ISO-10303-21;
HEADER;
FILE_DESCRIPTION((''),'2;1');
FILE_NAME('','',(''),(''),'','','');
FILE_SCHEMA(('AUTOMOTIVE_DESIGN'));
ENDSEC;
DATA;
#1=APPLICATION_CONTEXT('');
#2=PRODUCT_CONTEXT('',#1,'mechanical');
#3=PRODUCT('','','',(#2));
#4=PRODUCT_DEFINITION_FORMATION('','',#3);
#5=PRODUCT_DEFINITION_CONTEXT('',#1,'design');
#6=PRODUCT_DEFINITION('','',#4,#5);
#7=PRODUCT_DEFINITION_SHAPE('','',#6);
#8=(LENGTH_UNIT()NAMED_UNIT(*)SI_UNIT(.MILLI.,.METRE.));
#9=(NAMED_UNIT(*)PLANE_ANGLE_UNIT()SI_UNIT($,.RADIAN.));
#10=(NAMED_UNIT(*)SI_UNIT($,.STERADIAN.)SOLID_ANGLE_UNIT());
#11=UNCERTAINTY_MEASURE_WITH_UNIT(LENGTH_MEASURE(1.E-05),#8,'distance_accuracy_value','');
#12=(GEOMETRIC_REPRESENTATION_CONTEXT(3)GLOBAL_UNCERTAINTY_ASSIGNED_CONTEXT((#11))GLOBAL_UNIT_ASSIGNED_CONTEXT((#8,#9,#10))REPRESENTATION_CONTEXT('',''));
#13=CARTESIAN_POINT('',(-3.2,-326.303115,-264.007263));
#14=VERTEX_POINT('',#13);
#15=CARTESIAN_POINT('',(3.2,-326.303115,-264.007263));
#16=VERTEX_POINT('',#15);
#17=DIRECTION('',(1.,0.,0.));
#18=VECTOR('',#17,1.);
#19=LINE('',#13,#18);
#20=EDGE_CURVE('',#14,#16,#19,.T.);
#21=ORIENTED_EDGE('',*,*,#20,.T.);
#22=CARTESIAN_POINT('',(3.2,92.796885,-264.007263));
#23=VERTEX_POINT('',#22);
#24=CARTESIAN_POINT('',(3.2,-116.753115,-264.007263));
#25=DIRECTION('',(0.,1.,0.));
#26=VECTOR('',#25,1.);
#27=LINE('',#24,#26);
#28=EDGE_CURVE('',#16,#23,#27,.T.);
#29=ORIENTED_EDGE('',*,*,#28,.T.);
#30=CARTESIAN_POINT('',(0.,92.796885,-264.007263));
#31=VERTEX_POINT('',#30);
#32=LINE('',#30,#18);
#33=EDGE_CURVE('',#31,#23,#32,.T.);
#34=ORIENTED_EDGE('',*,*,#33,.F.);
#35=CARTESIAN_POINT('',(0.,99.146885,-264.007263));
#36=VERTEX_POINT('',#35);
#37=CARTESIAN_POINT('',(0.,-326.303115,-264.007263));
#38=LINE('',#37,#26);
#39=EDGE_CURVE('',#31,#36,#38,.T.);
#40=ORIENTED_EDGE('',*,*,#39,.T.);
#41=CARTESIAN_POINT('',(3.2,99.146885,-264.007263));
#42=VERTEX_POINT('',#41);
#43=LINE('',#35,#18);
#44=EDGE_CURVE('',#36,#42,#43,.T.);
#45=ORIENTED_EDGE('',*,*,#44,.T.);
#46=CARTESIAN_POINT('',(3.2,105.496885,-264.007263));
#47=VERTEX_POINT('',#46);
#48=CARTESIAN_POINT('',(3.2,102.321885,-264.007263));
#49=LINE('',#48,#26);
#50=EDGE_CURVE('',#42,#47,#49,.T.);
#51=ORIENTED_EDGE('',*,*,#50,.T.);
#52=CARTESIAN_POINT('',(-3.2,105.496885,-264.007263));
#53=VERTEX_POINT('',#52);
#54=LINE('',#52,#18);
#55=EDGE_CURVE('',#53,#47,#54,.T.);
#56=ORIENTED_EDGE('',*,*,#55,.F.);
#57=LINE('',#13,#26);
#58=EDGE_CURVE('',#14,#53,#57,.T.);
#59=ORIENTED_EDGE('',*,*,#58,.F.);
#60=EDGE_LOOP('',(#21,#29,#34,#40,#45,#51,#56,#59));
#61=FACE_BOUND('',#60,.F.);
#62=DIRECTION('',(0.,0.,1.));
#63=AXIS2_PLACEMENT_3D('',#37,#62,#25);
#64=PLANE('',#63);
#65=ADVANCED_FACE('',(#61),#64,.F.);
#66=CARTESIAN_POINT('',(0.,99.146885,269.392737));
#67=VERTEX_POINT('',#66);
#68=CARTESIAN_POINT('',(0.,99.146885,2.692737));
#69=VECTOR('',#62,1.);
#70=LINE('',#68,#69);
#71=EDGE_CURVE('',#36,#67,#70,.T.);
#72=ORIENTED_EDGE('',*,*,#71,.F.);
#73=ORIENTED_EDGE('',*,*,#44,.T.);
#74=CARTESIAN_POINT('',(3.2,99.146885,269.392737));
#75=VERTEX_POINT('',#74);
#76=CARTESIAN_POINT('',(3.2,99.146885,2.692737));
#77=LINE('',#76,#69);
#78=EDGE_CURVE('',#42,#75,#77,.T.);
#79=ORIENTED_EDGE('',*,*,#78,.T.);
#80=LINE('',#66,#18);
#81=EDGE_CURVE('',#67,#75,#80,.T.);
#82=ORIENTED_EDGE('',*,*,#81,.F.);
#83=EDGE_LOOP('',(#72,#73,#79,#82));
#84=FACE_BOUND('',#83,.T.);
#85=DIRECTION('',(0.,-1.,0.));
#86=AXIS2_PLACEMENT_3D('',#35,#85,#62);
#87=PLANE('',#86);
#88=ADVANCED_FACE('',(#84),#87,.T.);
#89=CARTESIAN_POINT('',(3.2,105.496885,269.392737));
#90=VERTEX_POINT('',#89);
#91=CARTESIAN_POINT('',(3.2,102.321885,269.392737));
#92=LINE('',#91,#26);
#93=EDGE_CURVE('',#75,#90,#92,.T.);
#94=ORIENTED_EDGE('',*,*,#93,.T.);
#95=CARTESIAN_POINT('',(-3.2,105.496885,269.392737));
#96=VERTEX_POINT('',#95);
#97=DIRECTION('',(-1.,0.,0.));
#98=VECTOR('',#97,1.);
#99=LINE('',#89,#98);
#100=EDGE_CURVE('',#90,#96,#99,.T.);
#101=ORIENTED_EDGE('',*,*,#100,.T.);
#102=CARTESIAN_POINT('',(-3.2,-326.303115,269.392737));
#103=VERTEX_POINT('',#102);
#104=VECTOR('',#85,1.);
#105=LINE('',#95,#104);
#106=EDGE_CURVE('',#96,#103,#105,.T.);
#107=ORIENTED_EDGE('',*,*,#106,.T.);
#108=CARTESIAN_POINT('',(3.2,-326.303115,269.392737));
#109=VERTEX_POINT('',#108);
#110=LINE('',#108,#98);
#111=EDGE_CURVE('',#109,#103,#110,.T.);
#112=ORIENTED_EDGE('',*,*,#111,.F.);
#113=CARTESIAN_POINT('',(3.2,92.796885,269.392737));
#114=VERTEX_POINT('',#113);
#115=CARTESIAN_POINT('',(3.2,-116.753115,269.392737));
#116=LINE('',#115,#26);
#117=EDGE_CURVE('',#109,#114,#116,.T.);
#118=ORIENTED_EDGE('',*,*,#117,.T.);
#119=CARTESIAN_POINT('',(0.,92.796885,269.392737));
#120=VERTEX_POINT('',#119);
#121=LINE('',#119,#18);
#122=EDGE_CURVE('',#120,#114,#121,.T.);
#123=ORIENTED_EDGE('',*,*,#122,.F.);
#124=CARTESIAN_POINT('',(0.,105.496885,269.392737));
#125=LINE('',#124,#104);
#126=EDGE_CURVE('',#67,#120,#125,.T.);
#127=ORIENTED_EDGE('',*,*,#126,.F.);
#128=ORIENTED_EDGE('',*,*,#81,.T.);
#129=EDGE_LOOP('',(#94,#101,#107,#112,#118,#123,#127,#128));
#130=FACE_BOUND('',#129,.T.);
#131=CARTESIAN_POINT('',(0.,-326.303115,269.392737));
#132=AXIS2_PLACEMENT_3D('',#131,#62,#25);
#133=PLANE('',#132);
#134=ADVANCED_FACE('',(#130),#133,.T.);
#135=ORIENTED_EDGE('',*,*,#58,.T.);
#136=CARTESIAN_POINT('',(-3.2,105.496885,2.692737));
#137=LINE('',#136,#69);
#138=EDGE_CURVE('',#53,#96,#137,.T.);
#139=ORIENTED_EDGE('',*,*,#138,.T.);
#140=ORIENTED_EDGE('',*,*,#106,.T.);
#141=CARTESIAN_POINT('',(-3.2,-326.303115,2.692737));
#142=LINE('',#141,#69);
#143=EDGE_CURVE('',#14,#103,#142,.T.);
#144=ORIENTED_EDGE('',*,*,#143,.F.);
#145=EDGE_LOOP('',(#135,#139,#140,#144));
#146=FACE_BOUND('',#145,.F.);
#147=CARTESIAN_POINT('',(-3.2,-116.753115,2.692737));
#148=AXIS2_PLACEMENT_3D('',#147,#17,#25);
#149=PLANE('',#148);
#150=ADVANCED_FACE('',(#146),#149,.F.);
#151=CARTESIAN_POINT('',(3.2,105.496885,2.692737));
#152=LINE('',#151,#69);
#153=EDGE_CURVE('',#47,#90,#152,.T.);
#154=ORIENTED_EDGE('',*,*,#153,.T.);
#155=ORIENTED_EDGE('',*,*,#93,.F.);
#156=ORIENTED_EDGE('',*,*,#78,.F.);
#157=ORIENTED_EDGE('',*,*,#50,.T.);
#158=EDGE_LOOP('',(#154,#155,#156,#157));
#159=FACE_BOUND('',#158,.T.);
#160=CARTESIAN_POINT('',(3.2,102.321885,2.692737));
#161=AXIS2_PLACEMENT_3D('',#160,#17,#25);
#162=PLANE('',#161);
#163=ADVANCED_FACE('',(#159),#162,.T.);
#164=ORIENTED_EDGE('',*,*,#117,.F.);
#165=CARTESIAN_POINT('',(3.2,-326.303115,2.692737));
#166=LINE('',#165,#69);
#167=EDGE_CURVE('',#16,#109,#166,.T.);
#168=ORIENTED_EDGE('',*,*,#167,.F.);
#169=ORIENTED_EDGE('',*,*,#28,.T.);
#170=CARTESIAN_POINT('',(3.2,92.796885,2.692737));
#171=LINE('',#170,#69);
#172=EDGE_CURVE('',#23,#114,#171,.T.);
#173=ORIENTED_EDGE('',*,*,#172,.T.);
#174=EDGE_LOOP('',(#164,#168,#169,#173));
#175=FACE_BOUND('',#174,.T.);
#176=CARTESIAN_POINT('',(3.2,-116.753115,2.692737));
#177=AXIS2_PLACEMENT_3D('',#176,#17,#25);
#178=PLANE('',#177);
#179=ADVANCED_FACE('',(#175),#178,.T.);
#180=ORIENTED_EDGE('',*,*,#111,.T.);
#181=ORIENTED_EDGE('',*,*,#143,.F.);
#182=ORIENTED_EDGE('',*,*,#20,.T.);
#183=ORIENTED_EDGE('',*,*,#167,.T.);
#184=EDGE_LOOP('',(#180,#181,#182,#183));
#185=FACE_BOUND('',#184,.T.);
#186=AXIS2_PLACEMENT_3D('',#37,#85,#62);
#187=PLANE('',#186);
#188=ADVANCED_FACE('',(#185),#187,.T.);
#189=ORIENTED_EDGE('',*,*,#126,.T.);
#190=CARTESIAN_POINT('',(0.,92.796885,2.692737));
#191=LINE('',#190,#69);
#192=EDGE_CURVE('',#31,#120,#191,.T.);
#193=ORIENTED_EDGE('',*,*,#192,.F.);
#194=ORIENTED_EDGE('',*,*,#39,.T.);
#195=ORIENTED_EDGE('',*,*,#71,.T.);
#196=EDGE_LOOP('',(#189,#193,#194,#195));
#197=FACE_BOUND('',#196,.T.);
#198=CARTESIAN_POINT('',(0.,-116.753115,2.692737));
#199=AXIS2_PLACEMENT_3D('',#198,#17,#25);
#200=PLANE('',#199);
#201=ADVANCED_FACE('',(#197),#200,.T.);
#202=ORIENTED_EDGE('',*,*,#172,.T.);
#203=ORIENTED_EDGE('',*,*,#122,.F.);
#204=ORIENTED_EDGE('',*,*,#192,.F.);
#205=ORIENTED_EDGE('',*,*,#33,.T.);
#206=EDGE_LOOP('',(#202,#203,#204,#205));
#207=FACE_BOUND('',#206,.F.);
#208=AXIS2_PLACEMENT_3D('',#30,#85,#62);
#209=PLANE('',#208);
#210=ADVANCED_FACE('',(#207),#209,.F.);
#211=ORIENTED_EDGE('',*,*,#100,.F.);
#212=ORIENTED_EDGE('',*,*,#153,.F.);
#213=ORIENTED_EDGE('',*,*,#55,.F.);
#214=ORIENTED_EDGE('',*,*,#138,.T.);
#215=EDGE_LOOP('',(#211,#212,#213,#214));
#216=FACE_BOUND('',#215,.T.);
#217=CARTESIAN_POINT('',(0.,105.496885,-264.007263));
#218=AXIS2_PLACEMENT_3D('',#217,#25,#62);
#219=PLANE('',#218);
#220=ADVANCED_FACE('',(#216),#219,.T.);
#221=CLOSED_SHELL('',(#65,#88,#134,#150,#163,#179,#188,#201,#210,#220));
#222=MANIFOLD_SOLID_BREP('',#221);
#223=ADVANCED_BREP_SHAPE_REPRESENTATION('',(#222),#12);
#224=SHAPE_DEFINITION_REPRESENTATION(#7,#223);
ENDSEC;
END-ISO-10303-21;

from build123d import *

# Parameters (mm, degrees)
F0_W     = 419.1
F0_H     = 533.4
F0_W_2   = 6.35
F1_DEPTH = 3.2
F2_DEPTH = 3.2


with BuildPart() as f1:
    # F0 (on Right) → F1 (new body)
    with BuildSketch(Plane.YZ):
        with Locations((-116.7531154453, 2.6927372277)):
            Rectangle(F0_W, F0_H)
        with Locations((102.3218845547, 2.6927372277)):
            Rectangle(F0_W_2, F0_H)
        with Locations((95.9718845547, 2.6927372277)):
            Rectangle(F0_W_2, F0_H)
    extrude(amount=-F1_DEPTH)

    # F0 (on Right) → F2 (join)
    with BuildSketch(Plane.YZ):
        with Locations((-116.7531154453, 2.6927372277)):
            Rectangle(F0_W, F0_H)
        with Locations((102.3218845547, 2.6927372277)):
            Rectangle(F0_W_2, F0_H)
    extrude(amount=F2_DEPTH)


solid = f1.part
